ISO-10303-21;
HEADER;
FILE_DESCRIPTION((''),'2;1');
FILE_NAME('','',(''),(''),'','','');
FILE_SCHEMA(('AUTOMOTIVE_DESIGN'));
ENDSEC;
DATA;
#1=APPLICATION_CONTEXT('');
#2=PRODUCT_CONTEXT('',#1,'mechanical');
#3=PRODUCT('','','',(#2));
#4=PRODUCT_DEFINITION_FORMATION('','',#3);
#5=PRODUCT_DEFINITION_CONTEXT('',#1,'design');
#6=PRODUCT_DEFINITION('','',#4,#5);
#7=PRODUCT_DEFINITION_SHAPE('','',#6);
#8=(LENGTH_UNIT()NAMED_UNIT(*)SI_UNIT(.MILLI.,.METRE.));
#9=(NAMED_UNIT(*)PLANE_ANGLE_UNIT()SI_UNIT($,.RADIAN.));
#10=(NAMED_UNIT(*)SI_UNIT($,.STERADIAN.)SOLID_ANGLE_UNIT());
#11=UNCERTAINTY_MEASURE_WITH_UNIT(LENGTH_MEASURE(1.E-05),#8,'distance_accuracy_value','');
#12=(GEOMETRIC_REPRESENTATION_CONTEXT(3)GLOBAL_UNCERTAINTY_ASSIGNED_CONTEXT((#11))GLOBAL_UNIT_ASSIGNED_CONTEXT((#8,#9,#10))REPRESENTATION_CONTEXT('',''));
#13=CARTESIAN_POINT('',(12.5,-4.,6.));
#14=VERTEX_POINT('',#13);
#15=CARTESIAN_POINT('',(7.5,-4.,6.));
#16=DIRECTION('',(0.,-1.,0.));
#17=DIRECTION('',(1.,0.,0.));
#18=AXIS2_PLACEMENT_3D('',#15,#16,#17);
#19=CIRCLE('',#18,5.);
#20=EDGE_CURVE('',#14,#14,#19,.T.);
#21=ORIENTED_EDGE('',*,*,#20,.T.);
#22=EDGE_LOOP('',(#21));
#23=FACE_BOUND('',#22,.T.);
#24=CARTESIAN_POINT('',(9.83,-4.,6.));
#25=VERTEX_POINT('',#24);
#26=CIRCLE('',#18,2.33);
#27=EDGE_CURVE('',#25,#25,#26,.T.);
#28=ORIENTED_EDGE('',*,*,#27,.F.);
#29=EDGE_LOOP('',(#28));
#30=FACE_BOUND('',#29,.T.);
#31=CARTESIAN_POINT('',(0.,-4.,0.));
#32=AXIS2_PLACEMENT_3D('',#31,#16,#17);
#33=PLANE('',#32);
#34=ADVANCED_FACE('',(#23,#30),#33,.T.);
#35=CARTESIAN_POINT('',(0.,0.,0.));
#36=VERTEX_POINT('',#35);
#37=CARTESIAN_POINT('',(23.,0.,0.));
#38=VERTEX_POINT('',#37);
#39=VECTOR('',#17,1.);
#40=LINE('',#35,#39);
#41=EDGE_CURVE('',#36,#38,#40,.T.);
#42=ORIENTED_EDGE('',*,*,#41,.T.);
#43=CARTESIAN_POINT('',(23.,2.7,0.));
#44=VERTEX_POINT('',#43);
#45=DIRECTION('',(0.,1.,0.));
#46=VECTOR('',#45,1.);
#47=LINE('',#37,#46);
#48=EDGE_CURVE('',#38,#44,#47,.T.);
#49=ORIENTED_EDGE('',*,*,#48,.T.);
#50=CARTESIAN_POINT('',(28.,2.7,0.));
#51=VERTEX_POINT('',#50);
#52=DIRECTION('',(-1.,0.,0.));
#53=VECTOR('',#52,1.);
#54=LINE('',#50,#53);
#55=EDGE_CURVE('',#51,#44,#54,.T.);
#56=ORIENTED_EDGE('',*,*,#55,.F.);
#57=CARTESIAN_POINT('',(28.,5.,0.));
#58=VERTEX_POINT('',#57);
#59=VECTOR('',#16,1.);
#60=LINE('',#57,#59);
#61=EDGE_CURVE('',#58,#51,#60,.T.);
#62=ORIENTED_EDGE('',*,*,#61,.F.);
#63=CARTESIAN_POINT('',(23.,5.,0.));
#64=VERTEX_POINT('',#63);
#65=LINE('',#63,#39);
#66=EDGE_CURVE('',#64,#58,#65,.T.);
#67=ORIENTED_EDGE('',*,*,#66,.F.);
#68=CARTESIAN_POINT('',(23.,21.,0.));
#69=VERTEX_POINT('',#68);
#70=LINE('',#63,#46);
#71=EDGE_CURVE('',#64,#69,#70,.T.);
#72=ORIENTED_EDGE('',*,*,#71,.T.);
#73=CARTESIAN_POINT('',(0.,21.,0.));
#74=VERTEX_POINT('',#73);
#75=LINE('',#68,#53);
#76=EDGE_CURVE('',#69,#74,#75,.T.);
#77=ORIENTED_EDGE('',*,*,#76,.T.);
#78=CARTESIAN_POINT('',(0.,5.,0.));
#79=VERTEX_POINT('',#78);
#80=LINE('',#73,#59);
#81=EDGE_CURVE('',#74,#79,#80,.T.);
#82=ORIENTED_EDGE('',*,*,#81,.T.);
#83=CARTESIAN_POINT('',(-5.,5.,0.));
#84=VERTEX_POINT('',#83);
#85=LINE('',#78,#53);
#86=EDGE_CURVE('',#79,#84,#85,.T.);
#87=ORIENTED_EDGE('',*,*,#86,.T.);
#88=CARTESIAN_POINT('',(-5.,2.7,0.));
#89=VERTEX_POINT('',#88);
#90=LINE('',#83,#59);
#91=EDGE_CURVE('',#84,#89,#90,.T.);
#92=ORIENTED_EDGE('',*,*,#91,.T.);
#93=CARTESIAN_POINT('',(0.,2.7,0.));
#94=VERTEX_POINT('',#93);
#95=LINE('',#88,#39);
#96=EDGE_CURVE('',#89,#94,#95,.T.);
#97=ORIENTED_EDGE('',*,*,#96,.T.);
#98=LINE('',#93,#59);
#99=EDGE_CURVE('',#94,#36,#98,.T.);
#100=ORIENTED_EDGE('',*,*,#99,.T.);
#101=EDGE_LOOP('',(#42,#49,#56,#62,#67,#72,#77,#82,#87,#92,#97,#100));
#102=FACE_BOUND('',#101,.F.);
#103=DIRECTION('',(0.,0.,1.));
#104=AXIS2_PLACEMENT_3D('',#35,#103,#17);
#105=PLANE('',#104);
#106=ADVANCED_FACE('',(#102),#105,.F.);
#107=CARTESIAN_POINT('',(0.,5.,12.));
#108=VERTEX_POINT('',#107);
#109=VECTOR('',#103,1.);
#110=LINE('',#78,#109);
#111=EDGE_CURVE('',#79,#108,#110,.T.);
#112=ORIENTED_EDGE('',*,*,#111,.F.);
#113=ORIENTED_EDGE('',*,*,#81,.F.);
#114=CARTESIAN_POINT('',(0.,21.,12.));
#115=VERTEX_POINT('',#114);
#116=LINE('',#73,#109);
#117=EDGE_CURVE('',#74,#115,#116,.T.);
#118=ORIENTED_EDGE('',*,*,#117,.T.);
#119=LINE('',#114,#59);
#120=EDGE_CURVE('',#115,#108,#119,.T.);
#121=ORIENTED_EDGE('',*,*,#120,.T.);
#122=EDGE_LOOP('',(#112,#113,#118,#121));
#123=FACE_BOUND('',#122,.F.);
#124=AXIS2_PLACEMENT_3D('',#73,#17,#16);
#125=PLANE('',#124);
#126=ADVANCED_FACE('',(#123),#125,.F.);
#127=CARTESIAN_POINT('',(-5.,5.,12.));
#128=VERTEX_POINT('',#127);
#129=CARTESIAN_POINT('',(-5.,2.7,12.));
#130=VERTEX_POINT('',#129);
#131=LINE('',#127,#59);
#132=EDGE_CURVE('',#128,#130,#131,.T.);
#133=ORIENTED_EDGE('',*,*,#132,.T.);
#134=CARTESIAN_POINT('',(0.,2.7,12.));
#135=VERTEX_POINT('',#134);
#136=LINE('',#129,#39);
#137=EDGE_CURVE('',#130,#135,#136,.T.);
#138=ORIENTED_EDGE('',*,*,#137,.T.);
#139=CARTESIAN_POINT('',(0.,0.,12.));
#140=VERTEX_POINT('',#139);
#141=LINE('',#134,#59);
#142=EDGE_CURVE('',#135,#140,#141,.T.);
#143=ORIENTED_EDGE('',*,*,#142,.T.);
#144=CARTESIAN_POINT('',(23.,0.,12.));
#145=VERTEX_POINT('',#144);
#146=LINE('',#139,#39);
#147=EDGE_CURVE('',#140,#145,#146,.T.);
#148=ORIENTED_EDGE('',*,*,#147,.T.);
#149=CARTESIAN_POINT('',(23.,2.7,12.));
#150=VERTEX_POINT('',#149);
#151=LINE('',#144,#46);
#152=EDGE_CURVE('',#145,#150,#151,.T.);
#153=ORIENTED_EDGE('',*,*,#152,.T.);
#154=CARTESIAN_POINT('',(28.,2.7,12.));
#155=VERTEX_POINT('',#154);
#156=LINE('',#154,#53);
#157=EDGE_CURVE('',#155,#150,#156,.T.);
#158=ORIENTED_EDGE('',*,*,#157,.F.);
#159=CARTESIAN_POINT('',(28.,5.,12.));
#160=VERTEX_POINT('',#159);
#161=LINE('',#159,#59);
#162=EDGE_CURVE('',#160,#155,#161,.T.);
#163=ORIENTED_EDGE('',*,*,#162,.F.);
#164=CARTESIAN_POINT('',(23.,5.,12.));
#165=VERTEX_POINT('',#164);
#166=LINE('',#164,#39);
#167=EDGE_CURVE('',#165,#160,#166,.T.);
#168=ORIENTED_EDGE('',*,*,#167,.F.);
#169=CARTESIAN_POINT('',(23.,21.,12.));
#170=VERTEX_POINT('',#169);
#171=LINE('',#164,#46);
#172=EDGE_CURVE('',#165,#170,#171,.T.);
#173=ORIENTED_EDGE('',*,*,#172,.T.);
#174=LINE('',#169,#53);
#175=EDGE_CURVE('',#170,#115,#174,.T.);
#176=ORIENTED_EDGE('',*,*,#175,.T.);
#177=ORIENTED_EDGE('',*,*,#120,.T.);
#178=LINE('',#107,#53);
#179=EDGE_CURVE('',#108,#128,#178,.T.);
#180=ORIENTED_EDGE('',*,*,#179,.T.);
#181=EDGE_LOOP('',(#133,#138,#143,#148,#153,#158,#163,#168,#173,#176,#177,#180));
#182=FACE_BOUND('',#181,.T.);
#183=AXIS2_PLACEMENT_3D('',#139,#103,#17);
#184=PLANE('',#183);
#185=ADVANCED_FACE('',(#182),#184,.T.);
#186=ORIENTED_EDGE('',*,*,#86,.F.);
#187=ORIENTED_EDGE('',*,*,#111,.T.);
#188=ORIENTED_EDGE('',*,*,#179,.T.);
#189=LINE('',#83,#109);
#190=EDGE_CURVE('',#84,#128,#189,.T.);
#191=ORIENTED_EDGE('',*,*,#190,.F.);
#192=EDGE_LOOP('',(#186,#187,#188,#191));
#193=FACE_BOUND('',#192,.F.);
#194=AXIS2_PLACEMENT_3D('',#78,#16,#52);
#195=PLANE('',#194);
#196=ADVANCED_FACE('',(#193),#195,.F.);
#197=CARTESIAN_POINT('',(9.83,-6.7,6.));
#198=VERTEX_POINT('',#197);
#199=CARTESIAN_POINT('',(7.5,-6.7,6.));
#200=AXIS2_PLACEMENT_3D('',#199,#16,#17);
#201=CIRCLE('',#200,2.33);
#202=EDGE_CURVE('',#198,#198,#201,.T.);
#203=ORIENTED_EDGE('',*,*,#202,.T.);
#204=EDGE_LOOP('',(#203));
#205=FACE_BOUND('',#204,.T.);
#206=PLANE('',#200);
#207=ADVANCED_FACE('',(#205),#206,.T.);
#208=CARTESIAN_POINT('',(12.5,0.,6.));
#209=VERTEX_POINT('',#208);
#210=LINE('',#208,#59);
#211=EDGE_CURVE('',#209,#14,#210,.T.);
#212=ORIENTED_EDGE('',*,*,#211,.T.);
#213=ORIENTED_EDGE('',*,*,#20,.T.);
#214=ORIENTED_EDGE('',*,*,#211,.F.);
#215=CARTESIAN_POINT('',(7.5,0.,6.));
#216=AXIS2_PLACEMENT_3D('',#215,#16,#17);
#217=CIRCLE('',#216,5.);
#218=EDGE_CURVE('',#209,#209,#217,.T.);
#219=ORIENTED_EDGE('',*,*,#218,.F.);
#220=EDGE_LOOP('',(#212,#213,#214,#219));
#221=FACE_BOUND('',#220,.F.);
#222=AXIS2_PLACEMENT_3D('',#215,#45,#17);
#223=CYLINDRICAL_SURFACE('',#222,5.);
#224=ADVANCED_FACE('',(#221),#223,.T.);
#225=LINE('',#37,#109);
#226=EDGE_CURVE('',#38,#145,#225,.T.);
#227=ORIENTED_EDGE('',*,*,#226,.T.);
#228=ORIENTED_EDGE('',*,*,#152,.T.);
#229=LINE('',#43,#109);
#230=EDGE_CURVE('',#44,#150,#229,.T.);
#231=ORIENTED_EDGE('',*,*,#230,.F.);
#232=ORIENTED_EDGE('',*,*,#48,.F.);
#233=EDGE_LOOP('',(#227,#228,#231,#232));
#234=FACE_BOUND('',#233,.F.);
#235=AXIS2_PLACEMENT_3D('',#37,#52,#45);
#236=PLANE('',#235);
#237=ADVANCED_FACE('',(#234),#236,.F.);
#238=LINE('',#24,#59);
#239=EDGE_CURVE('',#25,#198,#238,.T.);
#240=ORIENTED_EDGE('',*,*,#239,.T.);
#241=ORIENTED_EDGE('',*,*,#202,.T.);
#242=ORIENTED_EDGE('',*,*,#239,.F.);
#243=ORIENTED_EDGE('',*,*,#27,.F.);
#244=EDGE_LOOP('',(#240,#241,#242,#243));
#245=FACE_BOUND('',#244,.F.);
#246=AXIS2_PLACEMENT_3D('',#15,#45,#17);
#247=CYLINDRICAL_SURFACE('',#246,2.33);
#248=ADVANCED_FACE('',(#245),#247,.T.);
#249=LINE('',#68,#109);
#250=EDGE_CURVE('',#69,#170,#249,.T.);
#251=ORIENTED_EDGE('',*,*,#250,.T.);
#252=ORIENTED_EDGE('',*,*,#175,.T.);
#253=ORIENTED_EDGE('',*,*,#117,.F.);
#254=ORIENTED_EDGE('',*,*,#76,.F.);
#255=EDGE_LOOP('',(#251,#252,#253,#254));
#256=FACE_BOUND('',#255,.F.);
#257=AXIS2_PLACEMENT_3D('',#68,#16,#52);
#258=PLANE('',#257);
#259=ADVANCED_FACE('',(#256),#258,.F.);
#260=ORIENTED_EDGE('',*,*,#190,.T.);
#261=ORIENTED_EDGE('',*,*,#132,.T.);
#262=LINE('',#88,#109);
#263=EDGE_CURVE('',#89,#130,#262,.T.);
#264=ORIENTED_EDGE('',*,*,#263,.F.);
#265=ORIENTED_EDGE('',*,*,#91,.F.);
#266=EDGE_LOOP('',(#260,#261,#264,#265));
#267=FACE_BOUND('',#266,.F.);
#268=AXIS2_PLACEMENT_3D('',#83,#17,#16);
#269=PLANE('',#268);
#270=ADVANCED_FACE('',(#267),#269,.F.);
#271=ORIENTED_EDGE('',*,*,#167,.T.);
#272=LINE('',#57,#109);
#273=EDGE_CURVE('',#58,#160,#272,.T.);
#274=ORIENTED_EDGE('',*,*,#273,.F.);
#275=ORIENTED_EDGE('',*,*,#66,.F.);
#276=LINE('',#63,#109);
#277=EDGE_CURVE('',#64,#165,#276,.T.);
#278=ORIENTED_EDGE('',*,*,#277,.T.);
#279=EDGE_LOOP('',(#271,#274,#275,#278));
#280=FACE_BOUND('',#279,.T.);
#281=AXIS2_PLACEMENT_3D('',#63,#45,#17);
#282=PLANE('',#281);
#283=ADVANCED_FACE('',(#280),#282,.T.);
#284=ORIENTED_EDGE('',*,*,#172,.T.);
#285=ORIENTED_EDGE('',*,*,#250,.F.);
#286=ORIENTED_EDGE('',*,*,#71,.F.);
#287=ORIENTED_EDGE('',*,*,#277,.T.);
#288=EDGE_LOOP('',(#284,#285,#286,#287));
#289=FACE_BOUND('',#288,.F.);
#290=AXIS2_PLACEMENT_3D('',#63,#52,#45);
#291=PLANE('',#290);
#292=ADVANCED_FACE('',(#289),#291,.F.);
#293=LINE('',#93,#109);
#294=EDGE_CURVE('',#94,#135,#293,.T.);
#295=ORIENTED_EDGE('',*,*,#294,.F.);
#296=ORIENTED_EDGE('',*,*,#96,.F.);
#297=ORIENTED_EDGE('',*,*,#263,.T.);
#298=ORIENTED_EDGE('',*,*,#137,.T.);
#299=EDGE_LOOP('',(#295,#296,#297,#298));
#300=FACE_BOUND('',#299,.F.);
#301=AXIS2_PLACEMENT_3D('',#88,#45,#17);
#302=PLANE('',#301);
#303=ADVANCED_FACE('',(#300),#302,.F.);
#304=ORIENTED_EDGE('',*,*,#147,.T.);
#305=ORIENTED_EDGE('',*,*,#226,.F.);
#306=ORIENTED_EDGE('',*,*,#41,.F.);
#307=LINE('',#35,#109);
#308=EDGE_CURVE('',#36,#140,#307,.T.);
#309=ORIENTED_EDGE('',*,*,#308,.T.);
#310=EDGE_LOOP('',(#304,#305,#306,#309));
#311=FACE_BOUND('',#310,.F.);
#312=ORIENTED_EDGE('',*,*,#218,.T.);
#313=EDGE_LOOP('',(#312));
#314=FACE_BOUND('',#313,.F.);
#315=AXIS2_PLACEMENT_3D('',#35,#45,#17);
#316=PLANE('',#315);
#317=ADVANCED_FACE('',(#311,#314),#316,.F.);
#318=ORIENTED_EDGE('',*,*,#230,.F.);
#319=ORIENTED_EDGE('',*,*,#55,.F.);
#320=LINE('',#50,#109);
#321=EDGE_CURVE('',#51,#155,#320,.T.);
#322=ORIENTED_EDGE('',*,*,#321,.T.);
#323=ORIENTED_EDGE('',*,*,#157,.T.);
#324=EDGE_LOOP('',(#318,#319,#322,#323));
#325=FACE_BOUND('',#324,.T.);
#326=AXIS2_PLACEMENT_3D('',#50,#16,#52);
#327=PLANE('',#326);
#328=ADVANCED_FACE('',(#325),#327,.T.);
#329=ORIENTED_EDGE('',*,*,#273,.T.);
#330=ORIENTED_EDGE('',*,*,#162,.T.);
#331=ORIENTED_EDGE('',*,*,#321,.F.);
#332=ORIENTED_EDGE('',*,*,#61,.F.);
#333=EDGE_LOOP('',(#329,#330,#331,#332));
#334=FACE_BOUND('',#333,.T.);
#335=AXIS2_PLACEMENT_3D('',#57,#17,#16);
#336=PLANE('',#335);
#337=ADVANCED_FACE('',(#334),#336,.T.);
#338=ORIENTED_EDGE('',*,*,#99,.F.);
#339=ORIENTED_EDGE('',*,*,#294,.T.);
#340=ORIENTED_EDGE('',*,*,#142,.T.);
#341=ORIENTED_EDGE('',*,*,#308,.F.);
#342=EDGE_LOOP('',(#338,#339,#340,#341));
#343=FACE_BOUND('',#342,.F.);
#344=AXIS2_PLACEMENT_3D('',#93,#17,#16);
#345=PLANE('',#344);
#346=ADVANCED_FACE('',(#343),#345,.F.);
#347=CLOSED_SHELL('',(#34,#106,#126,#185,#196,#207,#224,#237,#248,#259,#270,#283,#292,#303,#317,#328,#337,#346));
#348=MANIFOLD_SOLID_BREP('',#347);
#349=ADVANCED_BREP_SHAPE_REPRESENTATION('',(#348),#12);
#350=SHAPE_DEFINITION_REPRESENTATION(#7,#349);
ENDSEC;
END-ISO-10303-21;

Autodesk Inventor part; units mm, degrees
ref_plane "YZ Plane" through (0, 0, 0) normal (1, 0, 0) x (0, 1, 0)
ref_plane "XZ Plane" through (0, 0, 0) normal (0, 1, 0) x (-1, 0, 0)
ref_plane "XY Plane" through (0, 0, 0) normal (0, 0, 1) x (1, 0, 0)
sketch "Boceto1" plane through (0, 0, 0) normal (0, 0, 1) x (1, 0, 0)
  line L0 (0, 0) -> (23, 0)
  line L1 (23, 21) -> (0, 21)
  line L2 (23, 5) -> (28, 5)
  line L3 (28, 5) -> (28, 2.7)
  line L4 (28, 2.7) -> (23, 2.7)
  line L5 (0, 5) -> (-5, 5)
  line L6 (-5, 5) -> (-5, 2.7)
  line L7 (-5, 2.7) -> (0, 2.7)
  line L8 (23, 0) -> (23, 2.7)
  line L9 (23, 5) -> (23, 21)
  line L10 (0, 21) -> (0, 5)
  line L11 (0, 2.7) -> (0, 0)
  dimension "d0" = 23
  dimension "d1" = 21
  dimension "d8" = 5
  dimension "d9" = 2.3
  dimension "d10" = 5
  dimension "d11" = 2.3
extrude "Extrusión1" add sketch "Boceto1" along normal blind 12
sketch "Boceto2" plane through (0, 0, 0) normal (0, -1, 0) x (1, 0, 0)
  line L0 (0, 0) -> (0, 12) projected
  circle A0 centre (7.5, 6) radius 5
  dimension "d4" = 10
  dimension "d5" = 7.5
extrude "Extrusión2" add sketch "Boceto2" along normal blind 4
sketch "Boceto3" plane through (7.5, -4, 6) normal (0, -1, 0) x (1, 0, 0)
  circle A0 centre (0, 0) radius 5 projected
  circle A1 centre (0, 0) radius 2.33
  point P0 (-7.5, -6)
  dimension "d12" = 4.66
extrude "Extrusión3" add sketch "Boceto3" along normal blind 2.7 contours A1
properties part number "Servo"
